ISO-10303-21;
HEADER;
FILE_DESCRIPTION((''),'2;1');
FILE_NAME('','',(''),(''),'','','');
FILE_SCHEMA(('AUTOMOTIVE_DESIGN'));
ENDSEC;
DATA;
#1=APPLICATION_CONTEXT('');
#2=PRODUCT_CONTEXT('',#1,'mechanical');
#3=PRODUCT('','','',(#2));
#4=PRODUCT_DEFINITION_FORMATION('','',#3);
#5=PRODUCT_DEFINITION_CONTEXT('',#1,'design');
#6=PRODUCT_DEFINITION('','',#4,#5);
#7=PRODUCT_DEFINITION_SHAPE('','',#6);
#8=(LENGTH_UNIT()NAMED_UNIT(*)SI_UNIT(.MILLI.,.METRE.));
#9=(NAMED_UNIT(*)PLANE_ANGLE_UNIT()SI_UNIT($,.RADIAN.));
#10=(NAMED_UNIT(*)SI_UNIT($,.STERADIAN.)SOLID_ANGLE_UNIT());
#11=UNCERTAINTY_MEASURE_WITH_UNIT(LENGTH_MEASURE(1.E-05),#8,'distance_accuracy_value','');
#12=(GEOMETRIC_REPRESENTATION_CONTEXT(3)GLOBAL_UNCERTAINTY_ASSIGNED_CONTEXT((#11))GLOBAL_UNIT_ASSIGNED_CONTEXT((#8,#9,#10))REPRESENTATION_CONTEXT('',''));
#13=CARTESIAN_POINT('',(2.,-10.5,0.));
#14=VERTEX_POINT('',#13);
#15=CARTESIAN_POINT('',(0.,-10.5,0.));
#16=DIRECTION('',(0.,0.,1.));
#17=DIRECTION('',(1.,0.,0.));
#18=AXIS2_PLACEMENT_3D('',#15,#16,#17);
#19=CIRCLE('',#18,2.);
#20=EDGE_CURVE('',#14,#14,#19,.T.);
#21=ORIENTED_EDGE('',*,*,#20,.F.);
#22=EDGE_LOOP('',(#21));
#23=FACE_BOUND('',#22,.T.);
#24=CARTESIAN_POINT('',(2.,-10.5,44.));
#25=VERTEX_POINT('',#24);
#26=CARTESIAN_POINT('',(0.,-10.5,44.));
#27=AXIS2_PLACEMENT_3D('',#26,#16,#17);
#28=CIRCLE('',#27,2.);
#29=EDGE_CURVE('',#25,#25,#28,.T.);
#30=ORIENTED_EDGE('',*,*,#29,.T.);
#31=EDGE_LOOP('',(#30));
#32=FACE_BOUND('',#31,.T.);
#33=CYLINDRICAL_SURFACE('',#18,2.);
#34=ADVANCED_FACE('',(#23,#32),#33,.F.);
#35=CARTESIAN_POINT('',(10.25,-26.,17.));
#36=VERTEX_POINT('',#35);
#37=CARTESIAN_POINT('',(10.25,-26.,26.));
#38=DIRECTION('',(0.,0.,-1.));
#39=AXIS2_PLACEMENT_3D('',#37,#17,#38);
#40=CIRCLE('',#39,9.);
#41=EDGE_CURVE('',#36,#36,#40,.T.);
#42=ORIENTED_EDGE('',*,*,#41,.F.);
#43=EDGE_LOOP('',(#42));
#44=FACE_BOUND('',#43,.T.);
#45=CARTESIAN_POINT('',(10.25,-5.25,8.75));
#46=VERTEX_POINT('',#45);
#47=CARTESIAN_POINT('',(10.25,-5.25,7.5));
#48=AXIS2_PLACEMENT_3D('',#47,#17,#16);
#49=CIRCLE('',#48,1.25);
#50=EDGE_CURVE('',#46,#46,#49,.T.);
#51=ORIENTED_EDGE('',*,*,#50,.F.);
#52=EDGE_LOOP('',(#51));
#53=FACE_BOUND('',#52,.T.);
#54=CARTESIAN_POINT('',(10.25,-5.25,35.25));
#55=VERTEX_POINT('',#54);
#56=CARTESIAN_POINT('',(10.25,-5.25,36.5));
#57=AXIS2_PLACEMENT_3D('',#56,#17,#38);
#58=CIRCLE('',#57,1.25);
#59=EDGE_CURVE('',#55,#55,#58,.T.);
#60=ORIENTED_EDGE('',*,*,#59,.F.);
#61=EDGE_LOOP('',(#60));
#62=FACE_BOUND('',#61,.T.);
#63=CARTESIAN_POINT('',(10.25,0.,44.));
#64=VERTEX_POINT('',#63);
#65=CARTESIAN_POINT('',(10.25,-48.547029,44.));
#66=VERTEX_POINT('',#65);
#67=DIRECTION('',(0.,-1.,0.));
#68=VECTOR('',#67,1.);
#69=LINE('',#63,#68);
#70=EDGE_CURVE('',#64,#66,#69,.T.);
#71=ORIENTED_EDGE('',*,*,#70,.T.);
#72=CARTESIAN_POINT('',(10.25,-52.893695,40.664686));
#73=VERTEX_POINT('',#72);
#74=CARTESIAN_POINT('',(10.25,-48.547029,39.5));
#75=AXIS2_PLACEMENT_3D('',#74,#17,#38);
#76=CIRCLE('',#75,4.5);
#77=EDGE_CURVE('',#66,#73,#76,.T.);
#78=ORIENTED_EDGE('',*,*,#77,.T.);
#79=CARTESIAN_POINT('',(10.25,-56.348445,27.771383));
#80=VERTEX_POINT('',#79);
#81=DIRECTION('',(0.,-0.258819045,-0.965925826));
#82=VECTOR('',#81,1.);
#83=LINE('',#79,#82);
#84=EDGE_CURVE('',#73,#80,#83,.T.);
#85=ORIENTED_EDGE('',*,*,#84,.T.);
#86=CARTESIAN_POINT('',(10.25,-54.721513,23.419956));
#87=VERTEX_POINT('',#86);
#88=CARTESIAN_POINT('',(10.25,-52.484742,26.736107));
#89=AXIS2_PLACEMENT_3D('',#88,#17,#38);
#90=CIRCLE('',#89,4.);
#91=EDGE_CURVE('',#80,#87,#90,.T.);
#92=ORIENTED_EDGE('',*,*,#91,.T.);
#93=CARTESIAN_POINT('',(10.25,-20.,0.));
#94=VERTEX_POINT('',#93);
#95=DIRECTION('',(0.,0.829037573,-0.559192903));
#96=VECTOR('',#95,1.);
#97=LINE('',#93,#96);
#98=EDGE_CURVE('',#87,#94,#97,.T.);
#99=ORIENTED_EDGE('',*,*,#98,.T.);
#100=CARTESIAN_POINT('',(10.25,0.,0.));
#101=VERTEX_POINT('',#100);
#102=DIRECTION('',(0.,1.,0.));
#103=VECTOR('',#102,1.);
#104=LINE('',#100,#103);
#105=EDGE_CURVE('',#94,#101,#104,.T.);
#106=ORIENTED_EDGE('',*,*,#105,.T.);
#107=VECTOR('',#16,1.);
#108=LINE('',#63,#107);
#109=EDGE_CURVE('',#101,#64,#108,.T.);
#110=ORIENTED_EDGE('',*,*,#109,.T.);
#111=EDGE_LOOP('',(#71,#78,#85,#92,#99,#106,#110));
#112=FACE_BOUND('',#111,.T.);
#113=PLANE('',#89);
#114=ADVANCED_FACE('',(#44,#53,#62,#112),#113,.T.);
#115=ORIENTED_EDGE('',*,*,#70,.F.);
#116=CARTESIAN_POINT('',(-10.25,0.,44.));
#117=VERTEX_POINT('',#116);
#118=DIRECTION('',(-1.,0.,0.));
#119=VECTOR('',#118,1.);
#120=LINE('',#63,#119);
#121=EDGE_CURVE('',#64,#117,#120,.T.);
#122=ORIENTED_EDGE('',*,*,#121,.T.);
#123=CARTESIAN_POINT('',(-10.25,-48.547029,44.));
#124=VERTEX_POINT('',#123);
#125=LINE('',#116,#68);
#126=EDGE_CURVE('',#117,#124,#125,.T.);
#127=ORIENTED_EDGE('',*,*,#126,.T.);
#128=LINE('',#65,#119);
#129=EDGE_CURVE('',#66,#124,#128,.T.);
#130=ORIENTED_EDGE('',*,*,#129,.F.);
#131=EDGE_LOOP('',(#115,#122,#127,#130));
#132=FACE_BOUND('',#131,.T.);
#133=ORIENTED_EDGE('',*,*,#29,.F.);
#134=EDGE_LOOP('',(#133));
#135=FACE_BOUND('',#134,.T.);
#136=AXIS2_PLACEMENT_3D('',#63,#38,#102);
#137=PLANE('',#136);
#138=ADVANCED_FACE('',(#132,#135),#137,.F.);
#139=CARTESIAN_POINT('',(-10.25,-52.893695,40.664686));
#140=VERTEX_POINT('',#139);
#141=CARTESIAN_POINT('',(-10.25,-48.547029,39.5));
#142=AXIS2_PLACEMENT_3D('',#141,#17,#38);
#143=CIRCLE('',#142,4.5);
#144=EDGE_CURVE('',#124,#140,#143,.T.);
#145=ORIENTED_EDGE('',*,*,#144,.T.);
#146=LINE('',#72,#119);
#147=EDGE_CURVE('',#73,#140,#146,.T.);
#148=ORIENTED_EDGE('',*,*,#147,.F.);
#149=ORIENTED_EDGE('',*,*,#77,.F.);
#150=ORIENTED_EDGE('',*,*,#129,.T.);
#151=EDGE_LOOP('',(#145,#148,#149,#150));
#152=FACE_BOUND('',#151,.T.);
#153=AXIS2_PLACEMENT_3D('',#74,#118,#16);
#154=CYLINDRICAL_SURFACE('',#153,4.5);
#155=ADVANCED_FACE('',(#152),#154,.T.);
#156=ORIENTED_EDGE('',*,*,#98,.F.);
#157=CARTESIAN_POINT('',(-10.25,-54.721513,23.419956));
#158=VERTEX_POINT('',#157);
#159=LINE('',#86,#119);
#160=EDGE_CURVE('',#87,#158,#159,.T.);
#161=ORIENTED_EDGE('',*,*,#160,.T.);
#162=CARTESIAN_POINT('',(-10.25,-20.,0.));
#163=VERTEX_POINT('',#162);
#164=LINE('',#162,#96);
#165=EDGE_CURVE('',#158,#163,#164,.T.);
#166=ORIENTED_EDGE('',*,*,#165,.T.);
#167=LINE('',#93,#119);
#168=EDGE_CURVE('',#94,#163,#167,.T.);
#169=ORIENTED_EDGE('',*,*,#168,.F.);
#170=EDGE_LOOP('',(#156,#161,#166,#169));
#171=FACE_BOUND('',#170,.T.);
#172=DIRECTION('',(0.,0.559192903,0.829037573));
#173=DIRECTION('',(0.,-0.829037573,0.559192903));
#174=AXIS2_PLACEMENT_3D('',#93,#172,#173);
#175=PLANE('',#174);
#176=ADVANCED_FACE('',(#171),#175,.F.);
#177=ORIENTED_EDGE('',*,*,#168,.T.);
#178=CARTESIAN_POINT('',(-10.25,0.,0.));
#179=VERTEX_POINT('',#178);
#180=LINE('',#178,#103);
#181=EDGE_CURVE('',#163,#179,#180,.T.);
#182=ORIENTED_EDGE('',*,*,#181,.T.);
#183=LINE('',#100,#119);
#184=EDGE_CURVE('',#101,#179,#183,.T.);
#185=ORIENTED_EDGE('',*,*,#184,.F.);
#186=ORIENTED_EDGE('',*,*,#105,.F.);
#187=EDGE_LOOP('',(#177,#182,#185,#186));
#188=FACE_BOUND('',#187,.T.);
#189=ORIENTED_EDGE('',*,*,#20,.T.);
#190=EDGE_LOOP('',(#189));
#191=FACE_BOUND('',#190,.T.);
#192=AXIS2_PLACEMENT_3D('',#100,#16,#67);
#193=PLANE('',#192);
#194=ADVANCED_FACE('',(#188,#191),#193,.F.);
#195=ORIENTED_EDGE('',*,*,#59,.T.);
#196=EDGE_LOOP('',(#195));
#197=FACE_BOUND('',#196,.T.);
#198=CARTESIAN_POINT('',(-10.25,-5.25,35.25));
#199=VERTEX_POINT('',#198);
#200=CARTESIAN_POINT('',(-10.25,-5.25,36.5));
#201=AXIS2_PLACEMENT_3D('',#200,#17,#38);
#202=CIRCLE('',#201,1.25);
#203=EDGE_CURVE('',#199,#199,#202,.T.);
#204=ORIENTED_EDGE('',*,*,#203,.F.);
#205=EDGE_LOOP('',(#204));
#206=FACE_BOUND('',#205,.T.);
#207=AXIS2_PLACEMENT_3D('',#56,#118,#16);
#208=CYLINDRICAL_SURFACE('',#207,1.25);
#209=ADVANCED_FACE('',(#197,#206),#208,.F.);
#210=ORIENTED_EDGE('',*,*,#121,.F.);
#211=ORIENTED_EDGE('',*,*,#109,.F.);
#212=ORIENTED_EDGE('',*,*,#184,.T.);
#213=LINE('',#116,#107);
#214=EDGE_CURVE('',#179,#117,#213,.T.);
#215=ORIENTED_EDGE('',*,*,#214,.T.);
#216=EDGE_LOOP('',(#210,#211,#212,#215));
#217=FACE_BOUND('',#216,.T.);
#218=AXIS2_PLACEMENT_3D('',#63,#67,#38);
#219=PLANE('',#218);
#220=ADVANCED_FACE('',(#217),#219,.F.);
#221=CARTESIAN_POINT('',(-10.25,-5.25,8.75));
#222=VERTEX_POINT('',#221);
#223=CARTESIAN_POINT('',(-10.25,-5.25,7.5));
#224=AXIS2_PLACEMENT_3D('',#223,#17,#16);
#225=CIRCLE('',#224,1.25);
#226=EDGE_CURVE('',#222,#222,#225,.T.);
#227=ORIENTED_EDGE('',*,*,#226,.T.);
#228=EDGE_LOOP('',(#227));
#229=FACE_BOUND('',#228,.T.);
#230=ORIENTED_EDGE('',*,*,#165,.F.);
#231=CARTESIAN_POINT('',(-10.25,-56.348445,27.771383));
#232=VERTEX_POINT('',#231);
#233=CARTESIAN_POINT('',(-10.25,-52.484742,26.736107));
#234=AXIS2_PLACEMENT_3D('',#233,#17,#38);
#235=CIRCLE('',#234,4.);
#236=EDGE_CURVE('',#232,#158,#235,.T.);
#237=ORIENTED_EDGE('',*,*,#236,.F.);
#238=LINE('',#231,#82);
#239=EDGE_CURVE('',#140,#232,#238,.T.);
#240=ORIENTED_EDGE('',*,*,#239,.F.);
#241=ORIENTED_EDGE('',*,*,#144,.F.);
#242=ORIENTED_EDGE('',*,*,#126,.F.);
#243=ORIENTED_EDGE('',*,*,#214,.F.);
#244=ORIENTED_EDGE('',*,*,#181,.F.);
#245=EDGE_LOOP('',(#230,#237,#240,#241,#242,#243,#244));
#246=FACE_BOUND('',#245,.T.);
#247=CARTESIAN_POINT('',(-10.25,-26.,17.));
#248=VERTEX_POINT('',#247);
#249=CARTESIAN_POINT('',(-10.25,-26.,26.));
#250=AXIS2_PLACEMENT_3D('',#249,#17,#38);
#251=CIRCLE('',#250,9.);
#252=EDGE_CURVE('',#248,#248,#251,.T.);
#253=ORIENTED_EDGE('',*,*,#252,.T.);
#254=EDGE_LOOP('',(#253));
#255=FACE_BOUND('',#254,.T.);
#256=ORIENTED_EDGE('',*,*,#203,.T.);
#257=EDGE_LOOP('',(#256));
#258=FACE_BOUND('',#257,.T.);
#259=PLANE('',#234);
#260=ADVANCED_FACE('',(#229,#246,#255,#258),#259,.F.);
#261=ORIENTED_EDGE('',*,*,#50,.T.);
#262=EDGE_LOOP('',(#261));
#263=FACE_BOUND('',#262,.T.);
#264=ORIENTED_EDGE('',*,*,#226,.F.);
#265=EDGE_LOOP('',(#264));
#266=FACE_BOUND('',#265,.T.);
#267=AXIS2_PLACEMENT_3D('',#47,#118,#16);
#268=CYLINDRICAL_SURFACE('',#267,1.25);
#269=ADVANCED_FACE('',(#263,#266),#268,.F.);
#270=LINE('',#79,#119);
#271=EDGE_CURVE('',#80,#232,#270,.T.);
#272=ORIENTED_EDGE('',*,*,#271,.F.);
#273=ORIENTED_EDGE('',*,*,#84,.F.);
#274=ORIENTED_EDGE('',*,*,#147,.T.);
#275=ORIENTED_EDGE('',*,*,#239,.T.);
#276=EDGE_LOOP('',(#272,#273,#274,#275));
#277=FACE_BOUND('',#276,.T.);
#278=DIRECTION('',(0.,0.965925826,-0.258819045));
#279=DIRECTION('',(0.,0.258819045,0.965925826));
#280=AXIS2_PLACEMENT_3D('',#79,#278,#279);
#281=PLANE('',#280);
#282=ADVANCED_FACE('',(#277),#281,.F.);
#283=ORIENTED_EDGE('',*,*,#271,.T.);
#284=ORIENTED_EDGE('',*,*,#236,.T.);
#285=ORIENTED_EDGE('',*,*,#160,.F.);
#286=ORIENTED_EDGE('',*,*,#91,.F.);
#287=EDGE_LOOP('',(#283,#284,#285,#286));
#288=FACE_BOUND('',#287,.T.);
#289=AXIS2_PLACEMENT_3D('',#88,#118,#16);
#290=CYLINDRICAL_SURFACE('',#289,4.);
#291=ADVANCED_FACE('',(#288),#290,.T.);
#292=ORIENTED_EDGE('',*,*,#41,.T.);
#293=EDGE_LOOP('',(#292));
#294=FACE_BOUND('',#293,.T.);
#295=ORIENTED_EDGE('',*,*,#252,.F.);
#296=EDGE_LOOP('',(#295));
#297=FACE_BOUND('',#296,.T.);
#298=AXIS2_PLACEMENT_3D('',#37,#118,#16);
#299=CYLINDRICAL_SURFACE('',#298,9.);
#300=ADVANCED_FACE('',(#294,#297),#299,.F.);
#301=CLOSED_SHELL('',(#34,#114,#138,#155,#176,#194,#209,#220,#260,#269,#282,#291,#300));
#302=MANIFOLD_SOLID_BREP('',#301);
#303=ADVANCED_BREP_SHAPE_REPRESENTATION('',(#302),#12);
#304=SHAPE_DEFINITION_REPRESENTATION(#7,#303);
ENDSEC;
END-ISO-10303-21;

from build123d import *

# Parameters (mm, degrees)
SKETCH_1_R          = 9
SKETCH_1_R_2        = 1.25
EXTRUDE_1_DEPTH     = 10.25
SKETCH_2_R          = 2
CUT_EXTRUDE_1_DEPTH = 45


with BuildPart() as part:
    # 草圖1 → 填料-伸長1 (new body, symmetric)
    with BuildSketch(Plane(origin=(0, 0, 0), x_dir=(0, 0, -1), z_dir=(1, 0, 0))):
        with BuildLine():
            Line((-44, 0), (-44, -48.547028554))
            ThreePointArc((-44, -48.547028554), (-43.070090031, -51.286454985), (-40.664685703, -52.893694772))
            Line((-40.664685703, -52.893694772), (-27.771382825, -56.348444866))
            ThreePointArc((-27.771382825, -56.348444866), (-25.335277119, -56.231430318), (-23.419956354, -54.721513175))
            Line((-23.419956354, -54.721513175), (0, -20))
            Line((0, -20), (0, 0))
            Line((0, 0), (-44, 0))
        make_face()
        with Locations((-26, -26)):
            Circle(SKETCH_1_R, mode=Mode.SUBTRACT)
        with Locations((-36.5, -5.25)):
            Circle(SKETCH_1_R_2, mode=Mode.SUBTRACT)
        with Locations((-7.5, -5.25)):
            Circle(SKETCH_1_R_2, mode=Mode.SUBTRACT)
    extrude(amount=EXTRUDE_1_DEPTH, both=True)

    # 草圖2 → 除料-伸長1 (cut, through all)
    with BuildSketch(Plane.XY.offset(44)):
        with Locations((0, -10.5)):
            Circle(SKETCH_2_R)
    extrude(amount=-CUT_EXTRUDE_1_DEPTH, mode=Mode.SUBTRACT)


solid = part.part
